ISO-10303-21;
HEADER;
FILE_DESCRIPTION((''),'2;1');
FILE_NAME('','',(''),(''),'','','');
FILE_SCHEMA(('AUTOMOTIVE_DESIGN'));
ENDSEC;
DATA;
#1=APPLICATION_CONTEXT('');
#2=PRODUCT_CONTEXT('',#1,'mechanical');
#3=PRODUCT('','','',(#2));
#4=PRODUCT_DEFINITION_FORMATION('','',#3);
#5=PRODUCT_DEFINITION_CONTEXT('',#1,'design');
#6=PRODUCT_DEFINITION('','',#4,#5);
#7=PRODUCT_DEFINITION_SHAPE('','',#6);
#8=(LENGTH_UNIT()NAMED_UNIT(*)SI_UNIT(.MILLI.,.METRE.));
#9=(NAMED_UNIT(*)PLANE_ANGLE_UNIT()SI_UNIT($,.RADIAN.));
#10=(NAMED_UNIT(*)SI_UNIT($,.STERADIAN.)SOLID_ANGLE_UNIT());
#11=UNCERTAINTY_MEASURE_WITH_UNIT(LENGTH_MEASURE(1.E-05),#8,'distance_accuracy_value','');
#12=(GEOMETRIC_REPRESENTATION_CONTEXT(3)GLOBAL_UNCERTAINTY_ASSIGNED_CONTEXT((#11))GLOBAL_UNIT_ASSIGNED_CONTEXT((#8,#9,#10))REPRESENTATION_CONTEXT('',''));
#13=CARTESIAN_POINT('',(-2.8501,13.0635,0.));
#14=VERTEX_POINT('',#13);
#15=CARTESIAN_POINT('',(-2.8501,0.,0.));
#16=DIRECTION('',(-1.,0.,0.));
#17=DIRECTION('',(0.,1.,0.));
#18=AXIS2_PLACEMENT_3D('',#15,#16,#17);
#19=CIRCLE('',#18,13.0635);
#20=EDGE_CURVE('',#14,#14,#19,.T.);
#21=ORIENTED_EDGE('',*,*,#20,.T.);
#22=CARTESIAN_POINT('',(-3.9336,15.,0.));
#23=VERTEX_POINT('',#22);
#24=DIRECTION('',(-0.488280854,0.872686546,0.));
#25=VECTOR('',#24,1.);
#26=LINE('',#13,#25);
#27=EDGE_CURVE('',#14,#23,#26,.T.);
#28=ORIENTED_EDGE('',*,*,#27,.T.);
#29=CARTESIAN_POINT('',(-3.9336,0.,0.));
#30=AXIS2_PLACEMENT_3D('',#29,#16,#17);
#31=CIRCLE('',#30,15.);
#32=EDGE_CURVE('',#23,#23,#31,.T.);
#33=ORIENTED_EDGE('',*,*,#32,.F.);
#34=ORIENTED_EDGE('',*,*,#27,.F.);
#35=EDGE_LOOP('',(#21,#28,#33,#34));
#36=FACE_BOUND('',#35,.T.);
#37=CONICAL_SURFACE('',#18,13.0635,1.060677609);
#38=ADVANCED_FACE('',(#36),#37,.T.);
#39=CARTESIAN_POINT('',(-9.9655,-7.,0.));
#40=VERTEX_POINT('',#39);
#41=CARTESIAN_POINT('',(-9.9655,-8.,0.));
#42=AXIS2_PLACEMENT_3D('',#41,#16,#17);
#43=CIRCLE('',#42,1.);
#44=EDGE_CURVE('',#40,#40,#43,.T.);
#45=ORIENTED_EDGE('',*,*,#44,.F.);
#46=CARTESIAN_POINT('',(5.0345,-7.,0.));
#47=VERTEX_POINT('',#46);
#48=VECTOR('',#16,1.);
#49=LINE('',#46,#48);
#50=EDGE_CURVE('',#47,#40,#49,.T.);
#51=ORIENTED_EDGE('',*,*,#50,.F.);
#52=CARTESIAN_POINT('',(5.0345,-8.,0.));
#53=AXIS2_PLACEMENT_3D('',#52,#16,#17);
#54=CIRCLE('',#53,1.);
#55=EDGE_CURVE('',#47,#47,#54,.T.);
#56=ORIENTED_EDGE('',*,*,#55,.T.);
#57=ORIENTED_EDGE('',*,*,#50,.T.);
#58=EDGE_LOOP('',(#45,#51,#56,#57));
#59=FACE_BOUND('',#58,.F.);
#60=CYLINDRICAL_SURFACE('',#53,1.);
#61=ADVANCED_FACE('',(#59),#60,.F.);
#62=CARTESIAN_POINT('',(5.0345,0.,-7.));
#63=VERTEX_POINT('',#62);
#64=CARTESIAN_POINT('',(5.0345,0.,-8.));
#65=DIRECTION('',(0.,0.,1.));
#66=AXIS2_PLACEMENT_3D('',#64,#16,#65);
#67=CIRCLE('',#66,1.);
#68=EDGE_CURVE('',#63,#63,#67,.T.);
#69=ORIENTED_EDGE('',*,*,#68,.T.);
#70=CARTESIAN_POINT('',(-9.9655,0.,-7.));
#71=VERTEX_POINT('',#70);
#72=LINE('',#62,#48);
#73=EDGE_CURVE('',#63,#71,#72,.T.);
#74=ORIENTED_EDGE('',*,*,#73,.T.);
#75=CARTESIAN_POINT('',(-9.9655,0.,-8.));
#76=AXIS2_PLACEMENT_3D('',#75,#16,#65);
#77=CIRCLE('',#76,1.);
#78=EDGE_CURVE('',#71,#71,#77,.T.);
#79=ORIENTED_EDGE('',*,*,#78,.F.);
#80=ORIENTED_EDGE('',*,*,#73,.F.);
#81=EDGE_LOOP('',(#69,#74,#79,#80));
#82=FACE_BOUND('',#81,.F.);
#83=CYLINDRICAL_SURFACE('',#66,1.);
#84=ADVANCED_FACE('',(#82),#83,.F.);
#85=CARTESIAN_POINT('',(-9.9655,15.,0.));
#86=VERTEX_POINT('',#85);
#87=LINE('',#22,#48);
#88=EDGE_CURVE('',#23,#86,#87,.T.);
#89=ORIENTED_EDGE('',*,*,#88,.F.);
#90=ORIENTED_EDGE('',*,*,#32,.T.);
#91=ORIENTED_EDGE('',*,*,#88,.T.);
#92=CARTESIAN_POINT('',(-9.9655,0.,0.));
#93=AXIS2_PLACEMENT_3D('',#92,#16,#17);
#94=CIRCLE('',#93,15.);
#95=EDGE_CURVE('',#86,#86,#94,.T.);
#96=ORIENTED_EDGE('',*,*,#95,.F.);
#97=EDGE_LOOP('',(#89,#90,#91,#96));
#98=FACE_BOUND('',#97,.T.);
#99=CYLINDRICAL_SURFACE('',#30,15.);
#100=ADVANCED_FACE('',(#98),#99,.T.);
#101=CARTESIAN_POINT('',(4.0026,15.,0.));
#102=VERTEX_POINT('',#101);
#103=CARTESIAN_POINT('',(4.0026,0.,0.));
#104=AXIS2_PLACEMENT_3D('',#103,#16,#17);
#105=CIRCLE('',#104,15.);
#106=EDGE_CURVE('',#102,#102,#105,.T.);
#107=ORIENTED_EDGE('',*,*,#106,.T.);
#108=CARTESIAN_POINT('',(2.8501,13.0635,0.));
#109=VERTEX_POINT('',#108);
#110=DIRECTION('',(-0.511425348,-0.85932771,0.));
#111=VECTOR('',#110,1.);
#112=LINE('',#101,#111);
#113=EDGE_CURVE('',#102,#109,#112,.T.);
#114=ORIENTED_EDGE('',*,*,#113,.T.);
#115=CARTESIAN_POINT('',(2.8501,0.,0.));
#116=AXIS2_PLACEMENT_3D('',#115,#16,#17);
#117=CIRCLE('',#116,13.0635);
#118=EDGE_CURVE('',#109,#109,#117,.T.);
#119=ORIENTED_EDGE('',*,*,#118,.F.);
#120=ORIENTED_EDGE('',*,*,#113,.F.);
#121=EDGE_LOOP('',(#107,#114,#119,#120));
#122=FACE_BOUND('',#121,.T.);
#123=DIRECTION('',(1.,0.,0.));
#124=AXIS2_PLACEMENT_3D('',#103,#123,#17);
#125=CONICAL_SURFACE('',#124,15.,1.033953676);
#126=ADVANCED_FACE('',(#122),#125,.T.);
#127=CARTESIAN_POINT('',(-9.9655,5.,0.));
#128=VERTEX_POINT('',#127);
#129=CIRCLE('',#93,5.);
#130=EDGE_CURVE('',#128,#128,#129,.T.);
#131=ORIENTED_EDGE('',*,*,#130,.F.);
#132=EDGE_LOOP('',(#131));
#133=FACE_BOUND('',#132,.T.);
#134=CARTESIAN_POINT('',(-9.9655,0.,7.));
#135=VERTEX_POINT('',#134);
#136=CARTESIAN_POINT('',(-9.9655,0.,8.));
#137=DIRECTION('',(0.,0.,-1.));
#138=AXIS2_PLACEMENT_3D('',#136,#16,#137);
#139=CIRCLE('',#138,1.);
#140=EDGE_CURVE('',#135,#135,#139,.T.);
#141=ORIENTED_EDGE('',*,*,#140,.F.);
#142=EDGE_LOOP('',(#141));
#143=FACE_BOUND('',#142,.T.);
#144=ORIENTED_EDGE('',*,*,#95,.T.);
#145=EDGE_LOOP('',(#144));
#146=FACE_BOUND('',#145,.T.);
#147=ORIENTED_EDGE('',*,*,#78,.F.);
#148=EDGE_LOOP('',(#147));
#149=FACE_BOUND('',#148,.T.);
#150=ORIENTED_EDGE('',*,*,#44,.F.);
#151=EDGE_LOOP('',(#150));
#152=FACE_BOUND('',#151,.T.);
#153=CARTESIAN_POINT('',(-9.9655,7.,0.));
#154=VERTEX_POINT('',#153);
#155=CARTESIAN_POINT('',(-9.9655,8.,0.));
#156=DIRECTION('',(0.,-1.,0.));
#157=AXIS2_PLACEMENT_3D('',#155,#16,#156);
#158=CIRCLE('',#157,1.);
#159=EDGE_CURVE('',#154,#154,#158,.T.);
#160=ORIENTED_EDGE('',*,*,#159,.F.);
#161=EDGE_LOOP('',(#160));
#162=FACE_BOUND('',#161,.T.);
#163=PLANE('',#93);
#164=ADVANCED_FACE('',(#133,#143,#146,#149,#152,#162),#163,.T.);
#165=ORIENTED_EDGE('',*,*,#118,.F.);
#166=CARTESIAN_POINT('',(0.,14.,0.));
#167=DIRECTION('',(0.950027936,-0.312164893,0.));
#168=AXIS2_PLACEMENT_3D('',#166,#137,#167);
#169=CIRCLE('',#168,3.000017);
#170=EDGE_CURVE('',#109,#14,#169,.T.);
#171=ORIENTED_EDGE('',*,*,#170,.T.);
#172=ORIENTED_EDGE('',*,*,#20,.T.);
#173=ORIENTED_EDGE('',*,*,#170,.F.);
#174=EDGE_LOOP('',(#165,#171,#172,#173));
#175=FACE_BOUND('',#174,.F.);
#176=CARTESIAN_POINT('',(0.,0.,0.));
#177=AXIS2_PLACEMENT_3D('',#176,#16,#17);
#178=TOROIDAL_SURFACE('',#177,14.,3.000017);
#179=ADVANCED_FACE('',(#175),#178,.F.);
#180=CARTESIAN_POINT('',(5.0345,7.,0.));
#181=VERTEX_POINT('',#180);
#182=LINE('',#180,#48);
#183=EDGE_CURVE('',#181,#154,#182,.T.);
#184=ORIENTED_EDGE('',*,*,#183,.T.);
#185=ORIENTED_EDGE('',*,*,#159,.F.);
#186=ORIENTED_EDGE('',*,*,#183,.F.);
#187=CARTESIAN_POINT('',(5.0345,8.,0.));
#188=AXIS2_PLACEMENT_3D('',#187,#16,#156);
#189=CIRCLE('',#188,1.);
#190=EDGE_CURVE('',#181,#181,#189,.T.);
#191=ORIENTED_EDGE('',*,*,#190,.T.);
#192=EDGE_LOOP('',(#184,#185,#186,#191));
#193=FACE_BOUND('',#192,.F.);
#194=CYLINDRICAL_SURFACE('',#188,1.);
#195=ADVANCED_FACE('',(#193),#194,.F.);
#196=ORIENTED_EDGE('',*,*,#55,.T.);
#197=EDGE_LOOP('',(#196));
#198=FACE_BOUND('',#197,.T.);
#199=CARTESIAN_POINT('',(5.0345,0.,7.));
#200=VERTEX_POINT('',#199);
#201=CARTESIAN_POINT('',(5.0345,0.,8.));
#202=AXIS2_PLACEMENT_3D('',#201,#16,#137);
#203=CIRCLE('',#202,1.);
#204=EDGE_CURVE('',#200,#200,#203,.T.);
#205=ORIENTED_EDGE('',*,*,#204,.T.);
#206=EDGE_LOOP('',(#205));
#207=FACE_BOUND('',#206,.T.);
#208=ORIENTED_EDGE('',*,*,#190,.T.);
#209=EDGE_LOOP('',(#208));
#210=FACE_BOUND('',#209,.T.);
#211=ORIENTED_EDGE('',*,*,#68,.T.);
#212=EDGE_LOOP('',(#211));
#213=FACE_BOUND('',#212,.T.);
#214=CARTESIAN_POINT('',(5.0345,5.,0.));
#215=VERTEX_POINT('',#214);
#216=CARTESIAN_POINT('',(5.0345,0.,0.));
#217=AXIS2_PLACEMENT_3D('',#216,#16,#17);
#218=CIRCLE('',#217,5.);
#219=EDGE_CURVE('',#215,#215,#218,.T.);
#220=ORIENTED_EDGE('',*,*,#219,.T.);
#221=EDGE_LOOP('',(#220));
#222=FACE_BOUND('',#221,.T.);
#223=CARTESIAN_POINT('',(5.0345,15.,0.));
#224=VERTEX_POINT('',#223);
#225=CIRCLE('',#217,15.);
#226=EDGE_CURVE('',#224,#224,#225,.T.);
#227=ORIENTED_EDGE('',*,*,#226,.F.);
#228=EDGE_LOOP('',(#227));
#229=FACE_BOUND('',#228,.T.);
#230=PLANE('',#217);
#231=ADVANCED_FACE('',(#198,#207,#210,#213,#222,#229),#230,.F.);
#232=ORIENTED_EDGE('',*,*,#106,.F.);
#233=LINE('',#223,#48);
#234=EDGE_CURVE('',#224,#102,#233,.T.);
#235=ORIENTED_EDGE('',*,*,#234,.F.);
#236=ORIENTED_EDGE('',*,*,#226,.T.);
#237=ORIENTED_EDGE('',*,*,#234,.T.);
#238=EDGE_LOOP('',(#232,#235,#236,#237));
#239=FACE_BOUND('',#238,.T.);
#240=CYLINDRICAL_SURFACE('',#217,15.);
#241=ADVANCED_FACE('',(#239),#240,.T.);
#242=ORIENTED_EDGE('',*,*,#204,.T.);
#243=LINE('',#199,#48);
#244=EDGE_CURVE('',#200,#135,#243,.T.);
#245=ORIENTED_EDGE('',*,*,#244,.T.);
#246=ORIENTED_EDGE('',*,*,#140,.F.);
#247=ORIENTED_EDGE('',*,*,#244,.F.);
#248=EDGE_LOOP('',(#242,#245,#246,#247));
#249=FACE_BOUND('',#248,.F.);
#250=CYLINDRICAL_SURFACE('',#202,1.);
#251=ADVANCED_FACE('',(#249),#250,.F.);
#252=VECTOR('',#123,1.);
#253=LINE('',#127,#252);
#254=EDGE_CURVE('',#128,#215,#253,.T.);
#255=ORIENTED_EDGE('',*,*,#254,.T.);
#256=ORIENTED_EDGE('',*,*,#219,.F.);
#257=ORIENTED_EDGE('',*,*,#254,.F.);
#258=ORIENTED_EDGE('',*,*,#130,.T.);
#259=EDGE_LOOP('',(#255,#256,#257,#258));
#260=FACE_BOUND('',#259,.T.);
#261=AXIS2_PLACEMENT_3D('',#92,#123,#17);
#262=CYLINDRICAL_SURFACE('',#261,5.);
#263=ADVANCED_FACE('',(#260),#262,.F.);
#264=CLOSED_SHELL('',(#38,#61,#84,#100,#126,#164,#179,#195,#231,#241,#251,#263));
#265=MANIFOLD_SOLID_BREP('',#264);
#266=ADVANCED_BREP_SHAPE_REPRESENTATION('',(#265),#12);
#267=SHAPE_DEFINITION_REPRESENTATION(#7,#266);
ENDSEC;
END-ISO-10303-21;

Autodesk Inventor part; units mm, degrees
ref_plane "YZ Plane" through (0, 0, 0) normal (1, 0, 0) x (0, 1, 0)
ref_plane "XZ Plane" through (0, 0, 0) normal (0, 1, 0) x (-1, 0, 0)
ref_plane "XY Plane" through (0, 0, 0) normal (0, 0, 1) x (1, 0, 0)
sketch "Sketch1" plane through (0, 0, 0) normal (0, 0, 1) x (1, 0, 0)
  line L0 (5, 0) -> (-5, 0)
  line L1 (-4.9655, 15) -> (-4.9655, 5)
  line L2 (-4.9655, 5) -> (5.0345, 5)
  line L3 (5.0345, 5) -> (5.0345, 15)
  line L4 (5.0345, 15) -> (4.0026, 15)
  line L5 (4.0026, 15) -> (2.8501, 13.0635)
  arc A0 (-2.8501, 13.0635) -> (2.8501, 13.0635) centre (0, 14) ccw
  line L6 (-2.8501, 13.0635) -> (-3.9336, 15)
  line L7 (-3.9336, 15) -> (-4.9655, 15)
  line L8 (-4.9655, 15) -> (-9.9655, 15)
  line L9 (-9.9655, 15) -> (-9.9655, 5)
  line L10 (-9.9655, 5) -> (-4.9655, 5)
  line L11 (0, 11) -> (0, 14)
  line L12 (0, 14) -> (0, 15)
  line L13 (0, 15) -> (4.0026, 15)
  point P0 (0, 0)
  dimension "d12" = 10
  dimension "d13" = 10
  dimension "d14" = 5
  dimension "d15" = 143.621
  dimension "d16" = 3
  dimension "d17" = 1.0319
  dimension "d18" = 1.0319
  dimension "d20" = 1
  dimension "d22" = 1.9365
  dimension "d23" = 4.0026
revolve "Revolution1" add sketch "Sketch1" angle 360 about axis through (5, 0, 0) along (-1, 0, 0) contours L7 L6 A0 L5 L4 L3 L2 L1 | L1 L10 L9 L8
sketch "Sketch2" plane through (5.0345, 0, 0) normal (1, 0, 0) x (0, 0, -1)
  circle A0 centre (0, 0) radius 5 projected
  circle A1 centre (0, 0) radius 8
  line L0 (-8, 0) -> (8, 0)
  dimension "d1" = 16
hole "Hole1" at (5.0345, 0, 8) direction (-1, 0, 0) diameter 2 end through all
pattern_circular "Circular Pattern1" count 4 over 360 about axis through (-7.4655, 0, 0) along (1, 0, 0) of "Hole1"
properties part number "motor_trinse"
